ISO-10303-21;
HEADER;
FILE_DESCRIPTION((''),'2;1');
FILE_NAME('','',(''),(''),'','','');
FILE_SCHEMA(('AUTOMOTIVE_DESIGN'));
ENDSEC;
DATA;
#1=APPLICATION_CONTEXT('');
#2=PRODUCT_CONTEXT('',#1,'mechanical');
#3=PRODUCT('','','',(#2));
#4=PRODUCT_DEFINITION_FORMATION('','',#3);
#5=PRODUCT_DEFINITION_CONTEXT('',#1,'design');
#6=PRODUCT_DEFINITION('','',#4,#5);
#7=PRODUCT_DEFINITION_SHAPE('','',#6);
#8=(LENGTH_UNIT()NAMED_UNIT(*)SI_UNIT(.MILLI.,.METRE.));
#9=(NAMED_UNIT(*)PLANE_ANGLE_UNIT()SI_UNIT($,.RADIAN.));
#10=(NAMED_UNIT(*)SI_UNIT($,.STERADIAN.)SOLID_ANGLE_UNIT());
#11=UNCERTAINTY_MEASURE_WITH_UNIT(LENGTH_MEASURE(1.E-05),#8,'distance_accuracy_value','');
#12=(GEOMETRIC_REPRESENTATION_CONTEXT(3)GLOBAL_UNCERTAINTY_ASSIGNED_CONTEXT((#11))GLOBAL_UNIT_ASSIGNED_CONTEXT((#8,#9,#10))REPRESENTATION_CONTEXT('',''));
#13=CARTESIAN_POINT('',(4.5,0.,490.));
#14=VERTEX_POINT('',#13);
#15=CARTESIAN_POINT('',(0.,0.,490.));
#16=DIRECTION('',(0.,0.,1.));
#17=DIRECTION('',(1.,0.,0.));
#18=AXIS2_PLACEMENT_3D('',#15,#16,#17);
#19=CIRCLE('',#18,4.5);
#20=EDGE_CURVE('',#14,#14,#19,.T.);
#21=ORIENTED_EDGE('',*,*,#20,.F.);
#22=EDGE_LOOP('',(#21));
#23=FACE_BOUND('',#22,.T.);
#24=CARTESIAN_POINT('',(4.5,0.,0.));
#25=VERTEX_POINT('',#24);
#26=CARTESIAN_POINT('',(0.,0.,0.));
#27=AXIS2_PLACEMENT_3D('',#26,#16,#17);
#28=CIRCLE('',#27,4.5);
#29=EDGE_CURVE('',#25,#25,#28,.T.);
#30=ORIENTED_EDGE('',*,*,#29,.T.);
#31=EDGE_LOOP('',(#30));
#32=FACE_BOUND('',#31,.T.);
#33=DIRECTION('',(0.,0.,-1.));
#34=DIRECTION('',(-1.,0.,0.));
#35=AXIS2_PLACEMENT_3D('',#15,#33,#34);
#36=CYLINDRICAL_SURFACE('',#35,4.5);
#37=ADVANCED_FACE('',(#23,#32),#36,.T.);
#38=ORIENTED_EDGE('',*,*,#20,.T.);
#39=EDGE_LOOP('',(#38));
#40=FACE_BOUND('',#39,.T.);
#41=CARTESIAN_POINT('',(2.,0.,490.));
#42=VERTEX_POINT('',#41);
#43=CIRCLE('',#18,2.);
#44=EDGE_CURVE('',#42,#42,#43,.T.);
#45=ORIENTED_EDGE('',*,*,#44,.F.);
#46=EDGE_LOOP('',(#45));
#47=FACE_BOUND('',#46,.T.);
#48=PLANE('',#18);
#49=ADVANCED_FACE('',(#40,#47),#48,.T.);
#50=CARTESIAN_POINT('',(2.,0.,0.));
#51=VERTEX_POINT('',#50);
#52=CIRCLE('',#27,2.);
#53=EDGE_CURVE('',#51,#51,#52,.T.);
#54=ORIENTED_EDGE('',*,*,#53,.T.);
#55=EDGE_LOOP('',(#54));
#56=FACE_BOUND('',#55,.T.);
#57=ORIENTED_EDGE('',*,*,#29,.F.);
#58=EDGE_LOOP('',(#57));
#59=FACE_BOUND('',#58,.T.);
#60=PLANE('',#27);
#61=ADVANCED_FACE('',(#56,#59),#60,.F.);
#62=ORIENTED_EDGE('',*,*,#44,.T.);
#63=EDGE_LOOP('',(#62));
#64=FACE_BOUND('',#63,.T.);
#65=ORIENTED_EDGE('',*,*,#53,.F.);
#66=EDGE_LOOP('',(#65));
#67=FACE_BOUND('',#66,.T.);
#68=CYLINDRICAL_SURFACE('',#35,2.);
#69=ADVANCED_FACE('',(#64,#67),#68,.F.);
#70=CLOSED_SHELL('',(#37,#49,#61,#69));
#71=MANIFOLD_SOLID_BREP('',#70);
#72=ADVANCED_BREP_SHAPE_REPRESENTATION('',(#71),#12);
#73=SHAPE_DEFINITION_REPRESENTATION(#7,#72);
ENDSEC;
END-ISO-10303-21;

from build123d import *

# Parameters (mm, degrees)
SKETCH_1_R      = 4.5
SKETCH_1_R_2    = 2
EXTRUDE_1_DEPTH = 490


with BuildPart() as part:
    # 草图1 → 凸台-拉伸1 (new body)
    with BuildSketch(Plane.XY):
        Circle(SKETCH_1_R)
        Circle(SKETCH_1_R_2, mode=Mode.SUBTRACT)
    extrude(amount=EXTRUDE_1_DEPTH)


solid = part.part
